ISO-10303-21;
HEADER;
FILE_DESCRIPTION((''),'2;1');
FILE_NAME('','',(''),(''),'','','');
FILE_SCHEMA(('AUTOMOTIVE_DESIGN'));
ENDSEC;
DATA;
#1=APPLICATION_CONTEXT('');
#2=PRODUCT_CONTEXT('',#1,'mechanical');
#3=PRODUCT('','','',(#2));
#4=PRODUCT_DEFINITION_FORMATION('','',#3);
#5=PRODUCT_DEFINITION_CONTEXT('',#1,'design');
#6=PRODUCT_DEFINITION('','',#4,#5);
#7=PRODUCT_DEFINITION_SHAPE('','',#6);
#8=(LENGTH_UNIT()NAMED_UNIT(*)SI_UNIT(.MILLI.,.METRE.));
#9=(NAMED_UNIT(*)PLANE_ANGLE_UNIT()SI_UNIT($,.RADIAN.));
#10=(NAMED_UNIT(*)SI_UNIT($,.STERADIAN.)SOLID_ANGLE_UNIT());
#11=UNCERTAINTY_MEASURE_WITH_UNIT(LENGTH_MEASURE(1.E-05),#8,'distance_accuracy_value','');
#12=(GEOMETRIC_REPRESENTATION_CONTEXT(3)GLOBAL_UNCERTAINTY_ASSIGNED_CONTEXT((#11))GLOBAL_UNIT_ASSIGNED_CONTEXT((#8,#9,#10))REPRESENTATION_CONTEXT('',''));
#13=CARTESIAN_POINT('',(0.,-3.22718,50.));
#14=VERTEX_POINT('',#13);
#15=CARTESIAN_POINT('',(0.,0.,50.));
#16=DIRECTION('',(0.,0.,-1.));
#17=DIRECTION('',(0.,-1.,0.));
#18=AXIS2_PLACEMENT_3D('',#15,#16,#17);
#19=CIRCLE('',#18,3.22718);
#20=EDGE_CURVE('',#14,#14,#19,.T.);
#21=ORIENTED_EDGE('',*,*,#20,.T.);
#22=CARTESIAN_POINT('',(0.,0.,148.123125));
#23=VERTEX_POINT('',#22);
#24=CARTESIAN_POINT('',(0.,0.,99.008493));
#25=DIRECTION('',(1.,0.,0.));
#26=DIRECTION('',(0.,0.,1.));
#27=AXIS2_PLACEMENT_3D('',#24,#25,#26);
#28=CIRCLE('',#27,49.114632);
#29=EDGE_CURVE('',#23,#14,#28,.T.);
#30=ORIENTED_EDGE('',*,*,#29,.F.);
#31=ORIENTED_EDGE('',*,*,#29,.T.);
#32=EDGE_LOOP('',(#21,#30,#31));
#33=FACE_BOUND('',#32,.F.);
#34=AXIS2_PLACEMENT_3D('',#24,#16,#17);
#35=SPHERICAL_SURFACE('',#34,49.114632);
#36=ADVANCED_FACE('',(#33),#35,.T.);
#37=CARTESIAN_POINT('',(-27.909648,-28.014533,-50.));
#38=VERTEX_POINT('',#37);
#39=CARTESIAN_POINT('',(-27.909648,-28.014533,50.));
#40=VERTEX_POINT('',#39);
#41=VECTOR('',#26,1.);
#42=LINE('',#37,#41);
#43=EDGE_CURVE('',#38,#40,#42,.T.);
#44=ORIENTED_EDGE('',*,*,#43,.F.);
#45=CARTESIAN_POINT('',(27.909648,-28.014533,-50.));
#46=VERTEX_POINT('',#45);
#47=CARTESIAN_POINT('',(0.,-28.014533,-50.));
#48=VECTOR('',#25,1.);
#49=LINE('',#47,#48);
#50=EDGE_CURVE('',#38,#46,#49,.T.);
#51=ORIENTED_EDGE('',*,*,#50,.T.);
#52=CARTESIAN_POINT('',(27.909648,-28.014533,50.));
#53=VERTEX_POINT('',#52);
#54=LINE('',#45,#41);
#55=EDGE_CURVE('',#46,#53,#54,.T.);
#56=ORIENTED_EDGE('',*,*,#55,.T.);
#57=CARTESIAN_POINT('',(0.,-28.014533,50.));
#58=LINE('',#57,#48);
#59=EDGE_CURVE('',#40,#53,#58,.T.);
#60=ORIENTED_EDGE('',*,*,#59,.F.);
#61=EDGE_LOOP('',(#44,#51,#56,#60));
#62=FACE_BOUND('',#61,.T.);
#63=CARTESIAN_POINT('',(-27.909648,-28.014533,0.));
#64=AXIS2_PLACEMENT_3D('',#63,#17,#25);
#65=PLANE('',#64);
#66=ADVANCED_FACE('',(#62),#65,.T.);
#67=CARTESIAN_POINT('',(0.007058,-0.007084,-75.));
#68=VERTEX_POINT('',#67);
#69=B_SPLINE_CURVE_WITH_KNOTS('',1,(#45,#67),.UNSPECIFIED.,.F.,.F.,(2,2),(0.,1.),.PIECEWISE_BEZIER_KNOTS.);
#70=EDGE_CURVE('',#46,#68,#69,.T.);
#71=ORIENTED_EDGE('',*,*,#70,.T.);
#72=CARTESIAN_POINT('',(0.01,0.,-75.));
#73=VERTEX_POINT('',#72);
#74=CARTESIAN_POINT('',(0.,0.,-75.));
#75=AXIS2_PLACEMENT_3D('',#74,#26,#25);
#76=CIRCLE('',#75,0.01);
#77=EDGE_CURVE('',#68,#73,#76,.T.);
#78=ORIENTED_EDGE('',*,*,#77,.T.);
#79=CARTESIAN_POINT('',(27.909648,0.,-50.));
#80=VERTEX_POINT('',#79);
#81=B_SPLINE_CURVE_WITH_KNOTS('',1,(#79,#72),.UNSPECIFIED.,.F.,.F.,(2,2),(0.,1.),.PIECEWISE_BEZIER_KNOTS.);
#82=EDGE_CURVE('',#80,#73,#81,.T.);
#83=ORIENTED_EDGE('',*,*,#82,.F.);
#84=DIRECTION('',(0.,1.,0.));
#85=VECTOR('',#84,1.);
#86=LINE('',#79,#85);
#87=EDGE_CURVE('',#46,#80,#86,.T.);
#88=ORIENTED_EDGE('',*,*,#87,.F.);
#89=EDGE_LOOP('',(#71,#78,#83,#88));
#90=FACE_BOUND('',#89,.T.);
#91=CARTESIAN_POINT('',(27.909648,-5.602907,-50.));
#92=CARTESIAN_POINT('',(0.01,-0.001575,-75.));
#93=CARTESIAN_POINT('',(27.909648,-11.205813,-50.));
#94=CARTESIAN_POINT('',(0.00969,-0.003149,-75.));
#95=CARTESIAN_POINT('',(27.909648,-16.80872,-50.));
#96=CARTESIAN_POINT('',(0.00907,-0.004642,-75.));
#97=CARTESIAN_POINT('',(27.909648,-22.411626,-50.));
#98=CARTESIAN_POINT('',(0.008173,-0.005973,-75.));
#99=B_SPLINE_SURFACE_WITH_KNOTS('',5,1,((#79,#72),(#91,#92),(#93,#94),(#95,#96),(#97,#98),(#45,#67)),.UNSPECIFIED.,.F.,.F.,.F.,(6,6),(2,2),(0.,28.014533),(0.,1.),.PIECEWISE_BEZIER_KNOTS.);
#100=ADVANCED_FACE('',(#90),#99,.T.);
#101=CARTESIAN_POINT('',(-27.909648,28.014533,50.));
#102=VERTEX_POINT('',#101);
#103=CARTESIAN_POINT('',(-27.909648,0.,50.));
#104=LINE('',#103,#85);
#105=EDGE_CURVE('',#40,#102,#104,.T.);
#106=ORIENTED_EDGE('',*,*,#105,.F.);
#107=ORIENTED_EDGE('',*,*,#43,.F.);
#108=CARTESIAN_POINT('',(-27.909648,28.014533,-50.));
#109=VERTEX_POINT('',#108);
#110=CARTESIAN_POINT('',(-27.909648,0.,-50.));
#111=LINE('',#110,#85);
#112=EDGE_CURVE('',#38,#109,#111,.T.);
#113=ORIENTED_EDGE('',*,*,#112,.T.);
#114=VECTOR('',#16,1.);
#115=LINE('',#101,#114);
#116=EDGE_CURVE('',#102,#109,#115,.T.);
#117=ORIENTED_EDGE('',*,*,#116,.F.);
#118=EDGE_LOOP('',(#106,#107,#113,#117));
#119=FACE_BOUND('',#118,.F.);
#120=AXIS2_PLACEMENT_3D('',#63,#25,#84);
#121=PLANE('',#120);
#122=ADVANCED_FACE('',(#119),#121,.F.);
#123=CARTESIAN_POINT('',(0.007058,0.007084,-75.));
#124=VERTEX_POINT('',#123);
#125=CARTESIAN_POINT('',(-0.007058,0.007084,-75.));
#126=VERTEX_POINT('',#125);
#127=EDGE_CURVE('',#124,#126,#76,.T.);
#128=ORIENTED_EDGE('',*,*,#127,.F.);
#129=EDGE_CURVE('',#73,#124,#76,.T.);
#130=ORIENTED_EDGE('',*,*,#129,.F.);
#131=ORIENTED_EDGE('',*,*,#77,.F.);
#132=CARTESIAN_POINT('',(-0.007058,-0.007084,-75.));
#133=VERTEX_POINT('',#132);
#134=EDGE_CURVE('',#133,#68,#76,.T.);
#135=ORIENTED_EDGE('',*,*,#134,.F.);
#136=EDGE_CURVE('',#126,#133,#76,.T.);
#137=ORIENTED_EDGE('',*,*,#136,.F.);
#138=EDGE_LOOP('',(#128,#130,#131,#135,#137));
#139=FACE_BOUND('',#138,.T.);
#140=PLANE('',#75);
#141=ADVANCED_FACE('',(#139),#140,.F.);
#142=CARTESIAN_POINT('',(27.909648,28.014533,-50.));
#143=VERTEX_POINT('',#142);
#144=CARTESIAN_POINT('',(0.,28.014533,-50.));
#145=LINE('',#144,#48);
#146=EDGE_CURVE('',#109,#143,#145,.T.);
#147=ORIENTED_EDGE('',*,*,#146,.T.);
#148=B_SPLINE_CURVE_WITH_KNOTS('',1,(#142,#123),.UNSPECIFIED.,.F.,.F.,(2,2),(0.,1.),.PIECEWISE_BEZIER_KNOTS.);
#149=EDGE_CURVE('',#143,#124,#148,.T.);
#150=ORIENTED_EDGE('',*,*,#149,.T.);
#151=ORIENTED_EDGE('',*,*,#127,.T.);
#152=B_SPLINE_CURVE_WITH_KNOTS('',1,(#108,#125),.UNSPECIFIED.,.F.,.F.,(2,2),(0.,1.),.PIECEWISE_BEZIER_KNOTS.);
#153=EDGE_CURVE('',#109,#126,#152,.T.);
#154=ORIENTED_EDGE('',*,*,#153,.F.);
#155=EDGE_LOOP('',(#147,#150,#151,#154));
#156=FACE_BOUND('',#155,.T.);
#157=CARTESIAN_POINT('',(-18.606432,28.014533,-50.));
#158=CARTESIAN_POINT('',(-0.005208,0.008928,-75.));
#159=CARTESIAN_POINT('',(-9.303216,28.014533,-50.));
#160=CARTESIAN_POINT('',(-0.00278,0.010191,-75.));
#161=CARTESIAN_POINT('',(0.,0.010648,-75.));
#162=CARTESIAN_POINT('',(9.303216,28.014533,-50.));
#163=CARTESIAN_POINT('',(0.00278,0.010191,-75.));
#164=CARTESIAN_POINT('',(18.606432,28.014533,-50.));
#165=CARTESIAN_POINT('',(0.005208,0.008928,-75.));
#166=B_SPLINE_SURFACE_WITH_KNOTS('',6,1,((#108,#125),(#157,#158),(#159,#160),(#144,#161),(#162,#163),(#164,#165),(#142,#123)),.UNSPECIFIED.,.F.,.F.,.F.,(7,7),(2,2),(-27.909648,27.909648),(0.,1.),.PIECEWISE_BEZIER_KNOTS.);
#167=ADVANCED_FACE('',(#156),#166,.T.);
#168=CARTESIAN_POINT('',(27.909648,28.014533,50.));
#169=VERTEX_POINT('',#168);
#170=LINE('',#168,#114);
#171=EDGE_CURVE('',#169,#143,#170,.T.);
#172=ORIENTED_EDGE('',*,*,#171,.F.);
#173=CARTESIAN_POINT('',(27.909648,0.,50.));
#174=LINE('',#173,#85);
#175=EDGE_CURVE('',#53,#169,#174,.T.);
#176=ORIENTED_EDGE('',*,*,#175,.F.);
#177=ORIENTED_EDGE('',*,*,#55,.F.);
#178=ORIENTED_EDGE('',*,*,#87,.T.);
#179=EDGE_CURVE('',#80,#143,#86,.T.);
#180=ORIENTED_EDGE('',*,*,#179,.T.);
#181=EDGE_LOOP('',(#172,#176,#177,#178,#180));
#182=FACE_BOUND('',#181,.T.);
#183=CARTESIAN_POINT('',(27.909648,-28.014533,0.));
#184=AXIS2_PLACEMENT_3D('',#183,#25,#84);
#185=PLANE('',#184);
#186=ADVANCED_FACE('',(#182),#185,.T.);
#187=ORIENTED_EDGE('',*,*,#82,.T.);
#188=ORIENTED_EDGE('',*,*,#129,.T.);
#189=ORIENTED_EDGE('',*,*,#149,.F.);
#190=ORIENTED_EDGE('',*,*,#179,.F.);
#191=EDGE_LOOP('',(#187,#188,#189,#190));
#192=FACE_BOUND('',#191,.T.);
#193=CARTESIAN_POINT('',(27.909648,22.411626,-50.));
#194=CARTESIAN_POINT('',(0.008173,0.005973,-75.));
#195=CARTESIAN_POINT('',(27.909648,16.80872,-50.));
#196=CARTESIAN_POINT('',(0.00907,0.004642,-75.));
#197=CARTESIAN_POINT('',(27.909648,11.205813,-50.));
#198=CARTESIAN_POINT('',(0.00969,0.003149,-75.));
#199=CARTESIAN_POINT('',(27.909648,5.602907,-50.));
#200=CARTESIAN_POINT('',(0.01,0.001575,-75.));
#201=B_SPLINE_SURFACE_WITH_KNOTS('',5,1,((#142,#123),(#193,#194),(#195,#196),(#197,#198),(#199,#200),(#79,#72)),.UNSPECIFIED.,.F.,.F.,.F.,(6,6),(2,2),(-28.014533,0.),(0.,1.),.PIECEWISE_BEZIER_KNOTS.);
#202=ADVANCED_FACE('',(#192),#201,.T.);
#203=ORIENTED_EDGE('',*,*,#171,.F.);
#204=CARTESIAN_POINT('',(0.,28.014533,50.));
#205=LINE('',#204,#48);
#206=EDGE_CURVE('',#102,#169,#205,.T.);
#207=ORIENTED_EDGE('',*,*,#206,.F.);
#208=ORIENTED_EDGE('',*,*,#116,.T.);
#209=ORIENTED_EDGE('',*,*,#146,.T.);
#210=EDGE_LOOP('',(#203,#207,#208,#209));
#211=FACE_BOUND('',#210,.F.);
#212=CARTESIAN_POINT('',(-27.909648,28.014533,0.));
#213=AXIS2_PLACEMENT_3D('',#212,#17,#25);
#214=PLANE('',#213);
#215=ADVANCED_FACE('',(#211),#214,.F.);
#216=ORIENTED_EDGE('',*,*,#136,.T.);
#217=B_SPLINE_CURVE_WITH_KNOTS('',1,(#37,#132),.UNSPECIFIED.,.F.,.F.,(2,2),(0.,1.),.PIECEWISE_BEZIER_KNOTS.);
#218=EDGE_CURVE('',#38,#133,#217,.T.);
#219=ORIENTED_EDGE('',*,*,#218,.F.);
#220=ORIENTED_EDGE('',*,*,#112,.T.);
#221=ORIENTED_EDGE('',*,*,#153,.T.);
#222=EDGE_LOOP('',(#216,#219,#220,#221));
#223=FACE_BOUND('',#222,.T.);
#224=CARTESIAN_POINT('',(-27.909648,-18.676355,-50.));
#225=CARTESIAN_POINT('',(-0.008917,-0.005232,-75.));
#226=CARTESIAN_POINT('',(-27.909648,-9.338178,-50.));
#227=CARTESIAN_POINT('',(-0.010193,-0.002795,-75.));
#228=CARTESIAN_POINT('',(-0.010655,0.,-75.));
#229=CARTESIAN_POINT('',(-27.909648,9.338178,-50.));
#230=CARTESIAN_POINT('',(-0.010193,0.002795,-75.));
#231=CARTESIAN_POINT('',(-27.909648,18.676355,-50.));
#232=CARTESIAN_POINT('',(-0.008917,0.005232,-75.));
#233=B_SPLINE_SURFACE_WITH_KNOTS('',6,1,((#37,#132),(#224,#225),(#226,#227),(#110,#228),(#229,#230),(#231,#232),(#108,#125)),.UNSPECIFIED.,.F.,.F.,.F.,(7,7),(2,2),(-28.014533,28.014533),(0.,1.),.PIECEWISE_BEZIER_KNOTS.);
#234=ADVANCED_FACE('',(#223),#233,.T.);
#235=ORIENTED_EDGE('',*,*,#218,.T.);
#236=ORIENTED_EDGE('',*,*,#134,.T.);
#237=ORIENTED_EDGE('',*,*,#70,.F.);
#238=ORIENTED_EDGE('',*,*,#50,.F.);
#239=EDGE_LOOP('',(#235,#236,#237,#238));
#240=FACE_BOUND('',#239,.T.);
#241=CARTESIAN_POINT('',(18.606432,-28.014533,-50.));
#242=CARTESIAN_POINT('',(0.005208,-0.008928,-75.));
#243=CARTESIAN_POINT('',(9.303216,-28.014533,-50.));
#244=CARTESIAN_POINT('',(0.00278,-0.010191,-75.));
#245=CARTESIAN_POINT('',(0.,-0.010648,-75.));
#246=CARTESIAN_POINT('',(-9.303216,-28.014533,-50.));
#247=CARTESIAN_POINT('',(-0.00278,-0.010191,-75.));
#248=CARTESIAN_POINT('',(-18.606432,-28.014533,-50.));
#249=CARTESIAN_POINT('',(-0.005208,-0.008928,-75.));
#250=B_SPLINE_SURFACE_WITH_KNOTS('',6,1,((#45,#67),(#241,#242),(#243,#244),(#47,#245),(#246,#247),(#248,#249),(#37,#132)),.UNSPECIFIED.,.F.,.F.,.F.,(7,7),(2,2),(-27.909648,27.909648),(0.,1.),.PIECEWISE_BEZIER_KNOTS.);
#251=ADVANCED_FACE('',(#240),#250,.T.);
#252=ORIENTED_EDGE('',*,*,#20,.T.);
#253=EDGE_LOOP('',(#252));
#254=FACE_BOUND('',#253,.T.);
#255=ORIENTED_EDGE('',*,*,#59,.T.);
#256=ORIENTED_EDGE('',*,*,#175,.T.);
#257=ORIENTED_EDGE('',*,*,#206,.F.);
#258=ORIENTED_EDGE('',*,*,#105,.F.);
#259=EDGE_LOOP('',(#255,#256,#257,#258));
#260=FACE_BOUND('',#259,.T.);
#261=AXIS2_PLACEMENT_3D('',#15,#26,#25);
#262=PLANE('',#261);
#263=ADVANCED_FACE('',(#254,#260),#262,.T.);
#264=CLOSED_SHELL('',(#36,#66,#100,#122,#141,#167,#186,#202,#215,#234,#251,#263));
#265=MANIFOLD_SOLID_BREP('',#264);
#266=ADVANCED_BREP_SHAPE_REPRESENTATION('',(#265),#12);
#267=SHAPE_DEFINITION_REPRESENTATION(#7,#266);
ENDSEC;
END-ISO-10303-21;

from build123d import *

# Parameters (mm, degrees)
F0_W      = 55.819296
F0_H      = 56.029066
F1_DEPTH  = 50
F1_FACE_W = 55.819296
F1_FACE_H = 56.029066
F5_R      = 0.01


with BuildPart() as f1:
    # F0 (on Top) → F1 (new body, symmetric)
    with BuildSketch(Plane.XY):
        Rectangle(F0_W, F0_H)
    extrude(amount=F1_DEPTH, both=True)

    # F2 (on Right) → F3 (revolve)
    with BuildSketch(Plane.YZ):
        with BuildLine():
            Line((0, 49.893861), (0, 148.123125))
            ThreePointArc((0, 148.123125), (-49.114632, 99.008493), (0, 49.893861))
        make_face()
    revolve(axis=Axis((0, 0, 99.008493), (0, 0, 1)))

    # F1_face (on face) → F6 section 0
    with BuildSketch(Plane(origin=(0, 0, -50), x_dir=(1, 0, 0), z_dir=(0, 0, -1))):
        Rectangle(F1_FACE_W, F1_FACE_H)
    # F5 (on offset) → F6 section 1
    with BuildSketch(Plane.XY.offset(-75)):
        Circle(F5_R)
    loft()


solid = f1.part
